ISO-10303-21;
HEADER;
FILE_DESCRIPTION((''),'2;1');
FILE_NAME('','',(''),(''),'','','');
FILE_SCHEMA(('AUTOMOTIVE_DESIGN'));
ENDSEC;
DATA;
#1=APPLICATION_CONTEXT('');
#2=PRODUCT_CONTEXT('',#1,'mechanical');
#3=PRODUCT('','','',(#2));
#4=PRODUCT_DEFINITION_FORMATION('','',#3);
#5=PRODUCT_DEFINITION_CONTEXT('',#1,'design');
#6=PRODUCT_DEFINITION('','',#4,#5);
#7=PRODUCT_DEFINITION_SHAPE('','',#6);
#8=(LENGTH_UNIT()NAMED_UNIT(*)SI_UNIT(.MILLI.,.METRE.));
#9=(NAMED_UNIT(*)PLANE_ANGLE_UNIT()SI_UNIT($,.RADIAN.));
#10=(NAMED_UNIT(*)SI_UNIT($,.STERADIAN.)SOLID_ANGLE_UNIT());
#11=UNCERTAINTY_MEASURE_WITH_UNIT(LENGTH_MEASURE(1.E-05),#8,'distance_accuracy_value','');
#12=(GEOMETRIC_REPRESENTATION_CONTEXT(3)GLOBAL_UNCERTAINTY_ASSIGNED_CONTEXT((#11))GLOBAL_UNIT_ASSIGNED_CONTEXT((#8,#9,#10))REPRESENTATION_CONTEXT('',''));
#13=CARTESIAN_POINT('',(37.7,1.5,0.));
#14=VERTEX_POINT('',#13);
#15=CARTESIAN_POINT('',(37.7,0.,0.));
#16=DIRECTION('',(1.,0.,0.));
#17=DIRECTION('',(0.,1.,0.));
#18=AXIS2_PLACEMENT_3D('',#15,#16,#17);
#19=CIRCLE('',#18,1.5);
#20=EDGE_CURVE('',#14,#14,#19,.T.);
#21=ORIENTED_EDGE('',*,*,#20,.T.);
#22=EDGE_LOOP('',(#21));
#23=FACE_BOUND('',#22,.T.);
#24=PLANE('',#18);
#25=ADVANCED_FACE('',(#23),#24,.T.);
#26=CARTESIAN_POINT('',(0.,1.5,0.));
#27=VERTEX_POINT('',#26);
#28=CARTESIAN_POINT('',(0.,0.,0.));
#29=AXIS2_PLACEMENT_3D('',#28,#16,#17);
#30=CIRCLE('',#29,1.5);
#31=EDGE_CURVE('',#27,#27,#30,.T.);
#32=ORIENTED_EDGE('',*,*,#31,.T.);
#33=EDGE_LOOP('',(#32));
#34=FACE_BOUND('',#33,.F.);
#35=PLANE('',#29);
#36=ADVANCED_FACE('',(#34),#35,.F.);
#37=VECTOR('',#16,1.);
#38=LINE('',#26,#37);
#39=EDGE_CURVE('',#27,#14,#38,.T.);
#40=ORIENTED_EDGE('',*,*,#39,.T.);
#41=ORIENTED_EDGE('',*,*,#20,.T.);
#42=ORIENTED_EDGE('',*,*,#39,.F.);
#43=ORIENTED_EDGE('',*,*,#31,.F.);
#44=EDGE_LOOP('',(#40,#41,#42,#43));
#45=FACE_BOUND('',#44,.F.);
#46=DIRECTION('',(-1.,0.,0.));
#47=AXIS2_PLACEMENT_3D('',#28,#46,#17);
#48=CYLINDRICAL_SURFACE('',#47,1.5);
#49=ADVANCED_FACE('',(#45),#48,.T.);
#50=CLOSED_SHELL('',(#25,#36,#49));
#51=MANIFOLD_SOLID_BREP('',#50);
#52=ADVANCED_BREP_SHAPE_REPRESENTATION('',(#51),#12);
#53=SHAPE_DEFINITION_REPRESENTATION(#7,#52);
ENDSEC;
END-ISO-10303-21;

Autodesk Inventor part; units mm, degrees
ref_plane "YZ Plane" through (0, 0, 0) normal (1, 0, 0) x (0, 1, 0)
ref_plane "XZ Plane" through (0, 0, 0) normal (0, 1, 0) x (-1, 0, 0)
ref_plane "XY Plane" through (0, 0, 0) normal (0, 0, 1) x (1, 0, 0)
sketch "Szkic1" plane through (0, 0, 0) normal (1, 0, 0) x (0, 1, 0)
  circle A0 centre (0, 0) radius 1.5
  dimension "d1" = 3
extrude "Wyciągnięcie proste2" add sketch "Szkic1" along normal blind 37.7
properties part number "walek"
